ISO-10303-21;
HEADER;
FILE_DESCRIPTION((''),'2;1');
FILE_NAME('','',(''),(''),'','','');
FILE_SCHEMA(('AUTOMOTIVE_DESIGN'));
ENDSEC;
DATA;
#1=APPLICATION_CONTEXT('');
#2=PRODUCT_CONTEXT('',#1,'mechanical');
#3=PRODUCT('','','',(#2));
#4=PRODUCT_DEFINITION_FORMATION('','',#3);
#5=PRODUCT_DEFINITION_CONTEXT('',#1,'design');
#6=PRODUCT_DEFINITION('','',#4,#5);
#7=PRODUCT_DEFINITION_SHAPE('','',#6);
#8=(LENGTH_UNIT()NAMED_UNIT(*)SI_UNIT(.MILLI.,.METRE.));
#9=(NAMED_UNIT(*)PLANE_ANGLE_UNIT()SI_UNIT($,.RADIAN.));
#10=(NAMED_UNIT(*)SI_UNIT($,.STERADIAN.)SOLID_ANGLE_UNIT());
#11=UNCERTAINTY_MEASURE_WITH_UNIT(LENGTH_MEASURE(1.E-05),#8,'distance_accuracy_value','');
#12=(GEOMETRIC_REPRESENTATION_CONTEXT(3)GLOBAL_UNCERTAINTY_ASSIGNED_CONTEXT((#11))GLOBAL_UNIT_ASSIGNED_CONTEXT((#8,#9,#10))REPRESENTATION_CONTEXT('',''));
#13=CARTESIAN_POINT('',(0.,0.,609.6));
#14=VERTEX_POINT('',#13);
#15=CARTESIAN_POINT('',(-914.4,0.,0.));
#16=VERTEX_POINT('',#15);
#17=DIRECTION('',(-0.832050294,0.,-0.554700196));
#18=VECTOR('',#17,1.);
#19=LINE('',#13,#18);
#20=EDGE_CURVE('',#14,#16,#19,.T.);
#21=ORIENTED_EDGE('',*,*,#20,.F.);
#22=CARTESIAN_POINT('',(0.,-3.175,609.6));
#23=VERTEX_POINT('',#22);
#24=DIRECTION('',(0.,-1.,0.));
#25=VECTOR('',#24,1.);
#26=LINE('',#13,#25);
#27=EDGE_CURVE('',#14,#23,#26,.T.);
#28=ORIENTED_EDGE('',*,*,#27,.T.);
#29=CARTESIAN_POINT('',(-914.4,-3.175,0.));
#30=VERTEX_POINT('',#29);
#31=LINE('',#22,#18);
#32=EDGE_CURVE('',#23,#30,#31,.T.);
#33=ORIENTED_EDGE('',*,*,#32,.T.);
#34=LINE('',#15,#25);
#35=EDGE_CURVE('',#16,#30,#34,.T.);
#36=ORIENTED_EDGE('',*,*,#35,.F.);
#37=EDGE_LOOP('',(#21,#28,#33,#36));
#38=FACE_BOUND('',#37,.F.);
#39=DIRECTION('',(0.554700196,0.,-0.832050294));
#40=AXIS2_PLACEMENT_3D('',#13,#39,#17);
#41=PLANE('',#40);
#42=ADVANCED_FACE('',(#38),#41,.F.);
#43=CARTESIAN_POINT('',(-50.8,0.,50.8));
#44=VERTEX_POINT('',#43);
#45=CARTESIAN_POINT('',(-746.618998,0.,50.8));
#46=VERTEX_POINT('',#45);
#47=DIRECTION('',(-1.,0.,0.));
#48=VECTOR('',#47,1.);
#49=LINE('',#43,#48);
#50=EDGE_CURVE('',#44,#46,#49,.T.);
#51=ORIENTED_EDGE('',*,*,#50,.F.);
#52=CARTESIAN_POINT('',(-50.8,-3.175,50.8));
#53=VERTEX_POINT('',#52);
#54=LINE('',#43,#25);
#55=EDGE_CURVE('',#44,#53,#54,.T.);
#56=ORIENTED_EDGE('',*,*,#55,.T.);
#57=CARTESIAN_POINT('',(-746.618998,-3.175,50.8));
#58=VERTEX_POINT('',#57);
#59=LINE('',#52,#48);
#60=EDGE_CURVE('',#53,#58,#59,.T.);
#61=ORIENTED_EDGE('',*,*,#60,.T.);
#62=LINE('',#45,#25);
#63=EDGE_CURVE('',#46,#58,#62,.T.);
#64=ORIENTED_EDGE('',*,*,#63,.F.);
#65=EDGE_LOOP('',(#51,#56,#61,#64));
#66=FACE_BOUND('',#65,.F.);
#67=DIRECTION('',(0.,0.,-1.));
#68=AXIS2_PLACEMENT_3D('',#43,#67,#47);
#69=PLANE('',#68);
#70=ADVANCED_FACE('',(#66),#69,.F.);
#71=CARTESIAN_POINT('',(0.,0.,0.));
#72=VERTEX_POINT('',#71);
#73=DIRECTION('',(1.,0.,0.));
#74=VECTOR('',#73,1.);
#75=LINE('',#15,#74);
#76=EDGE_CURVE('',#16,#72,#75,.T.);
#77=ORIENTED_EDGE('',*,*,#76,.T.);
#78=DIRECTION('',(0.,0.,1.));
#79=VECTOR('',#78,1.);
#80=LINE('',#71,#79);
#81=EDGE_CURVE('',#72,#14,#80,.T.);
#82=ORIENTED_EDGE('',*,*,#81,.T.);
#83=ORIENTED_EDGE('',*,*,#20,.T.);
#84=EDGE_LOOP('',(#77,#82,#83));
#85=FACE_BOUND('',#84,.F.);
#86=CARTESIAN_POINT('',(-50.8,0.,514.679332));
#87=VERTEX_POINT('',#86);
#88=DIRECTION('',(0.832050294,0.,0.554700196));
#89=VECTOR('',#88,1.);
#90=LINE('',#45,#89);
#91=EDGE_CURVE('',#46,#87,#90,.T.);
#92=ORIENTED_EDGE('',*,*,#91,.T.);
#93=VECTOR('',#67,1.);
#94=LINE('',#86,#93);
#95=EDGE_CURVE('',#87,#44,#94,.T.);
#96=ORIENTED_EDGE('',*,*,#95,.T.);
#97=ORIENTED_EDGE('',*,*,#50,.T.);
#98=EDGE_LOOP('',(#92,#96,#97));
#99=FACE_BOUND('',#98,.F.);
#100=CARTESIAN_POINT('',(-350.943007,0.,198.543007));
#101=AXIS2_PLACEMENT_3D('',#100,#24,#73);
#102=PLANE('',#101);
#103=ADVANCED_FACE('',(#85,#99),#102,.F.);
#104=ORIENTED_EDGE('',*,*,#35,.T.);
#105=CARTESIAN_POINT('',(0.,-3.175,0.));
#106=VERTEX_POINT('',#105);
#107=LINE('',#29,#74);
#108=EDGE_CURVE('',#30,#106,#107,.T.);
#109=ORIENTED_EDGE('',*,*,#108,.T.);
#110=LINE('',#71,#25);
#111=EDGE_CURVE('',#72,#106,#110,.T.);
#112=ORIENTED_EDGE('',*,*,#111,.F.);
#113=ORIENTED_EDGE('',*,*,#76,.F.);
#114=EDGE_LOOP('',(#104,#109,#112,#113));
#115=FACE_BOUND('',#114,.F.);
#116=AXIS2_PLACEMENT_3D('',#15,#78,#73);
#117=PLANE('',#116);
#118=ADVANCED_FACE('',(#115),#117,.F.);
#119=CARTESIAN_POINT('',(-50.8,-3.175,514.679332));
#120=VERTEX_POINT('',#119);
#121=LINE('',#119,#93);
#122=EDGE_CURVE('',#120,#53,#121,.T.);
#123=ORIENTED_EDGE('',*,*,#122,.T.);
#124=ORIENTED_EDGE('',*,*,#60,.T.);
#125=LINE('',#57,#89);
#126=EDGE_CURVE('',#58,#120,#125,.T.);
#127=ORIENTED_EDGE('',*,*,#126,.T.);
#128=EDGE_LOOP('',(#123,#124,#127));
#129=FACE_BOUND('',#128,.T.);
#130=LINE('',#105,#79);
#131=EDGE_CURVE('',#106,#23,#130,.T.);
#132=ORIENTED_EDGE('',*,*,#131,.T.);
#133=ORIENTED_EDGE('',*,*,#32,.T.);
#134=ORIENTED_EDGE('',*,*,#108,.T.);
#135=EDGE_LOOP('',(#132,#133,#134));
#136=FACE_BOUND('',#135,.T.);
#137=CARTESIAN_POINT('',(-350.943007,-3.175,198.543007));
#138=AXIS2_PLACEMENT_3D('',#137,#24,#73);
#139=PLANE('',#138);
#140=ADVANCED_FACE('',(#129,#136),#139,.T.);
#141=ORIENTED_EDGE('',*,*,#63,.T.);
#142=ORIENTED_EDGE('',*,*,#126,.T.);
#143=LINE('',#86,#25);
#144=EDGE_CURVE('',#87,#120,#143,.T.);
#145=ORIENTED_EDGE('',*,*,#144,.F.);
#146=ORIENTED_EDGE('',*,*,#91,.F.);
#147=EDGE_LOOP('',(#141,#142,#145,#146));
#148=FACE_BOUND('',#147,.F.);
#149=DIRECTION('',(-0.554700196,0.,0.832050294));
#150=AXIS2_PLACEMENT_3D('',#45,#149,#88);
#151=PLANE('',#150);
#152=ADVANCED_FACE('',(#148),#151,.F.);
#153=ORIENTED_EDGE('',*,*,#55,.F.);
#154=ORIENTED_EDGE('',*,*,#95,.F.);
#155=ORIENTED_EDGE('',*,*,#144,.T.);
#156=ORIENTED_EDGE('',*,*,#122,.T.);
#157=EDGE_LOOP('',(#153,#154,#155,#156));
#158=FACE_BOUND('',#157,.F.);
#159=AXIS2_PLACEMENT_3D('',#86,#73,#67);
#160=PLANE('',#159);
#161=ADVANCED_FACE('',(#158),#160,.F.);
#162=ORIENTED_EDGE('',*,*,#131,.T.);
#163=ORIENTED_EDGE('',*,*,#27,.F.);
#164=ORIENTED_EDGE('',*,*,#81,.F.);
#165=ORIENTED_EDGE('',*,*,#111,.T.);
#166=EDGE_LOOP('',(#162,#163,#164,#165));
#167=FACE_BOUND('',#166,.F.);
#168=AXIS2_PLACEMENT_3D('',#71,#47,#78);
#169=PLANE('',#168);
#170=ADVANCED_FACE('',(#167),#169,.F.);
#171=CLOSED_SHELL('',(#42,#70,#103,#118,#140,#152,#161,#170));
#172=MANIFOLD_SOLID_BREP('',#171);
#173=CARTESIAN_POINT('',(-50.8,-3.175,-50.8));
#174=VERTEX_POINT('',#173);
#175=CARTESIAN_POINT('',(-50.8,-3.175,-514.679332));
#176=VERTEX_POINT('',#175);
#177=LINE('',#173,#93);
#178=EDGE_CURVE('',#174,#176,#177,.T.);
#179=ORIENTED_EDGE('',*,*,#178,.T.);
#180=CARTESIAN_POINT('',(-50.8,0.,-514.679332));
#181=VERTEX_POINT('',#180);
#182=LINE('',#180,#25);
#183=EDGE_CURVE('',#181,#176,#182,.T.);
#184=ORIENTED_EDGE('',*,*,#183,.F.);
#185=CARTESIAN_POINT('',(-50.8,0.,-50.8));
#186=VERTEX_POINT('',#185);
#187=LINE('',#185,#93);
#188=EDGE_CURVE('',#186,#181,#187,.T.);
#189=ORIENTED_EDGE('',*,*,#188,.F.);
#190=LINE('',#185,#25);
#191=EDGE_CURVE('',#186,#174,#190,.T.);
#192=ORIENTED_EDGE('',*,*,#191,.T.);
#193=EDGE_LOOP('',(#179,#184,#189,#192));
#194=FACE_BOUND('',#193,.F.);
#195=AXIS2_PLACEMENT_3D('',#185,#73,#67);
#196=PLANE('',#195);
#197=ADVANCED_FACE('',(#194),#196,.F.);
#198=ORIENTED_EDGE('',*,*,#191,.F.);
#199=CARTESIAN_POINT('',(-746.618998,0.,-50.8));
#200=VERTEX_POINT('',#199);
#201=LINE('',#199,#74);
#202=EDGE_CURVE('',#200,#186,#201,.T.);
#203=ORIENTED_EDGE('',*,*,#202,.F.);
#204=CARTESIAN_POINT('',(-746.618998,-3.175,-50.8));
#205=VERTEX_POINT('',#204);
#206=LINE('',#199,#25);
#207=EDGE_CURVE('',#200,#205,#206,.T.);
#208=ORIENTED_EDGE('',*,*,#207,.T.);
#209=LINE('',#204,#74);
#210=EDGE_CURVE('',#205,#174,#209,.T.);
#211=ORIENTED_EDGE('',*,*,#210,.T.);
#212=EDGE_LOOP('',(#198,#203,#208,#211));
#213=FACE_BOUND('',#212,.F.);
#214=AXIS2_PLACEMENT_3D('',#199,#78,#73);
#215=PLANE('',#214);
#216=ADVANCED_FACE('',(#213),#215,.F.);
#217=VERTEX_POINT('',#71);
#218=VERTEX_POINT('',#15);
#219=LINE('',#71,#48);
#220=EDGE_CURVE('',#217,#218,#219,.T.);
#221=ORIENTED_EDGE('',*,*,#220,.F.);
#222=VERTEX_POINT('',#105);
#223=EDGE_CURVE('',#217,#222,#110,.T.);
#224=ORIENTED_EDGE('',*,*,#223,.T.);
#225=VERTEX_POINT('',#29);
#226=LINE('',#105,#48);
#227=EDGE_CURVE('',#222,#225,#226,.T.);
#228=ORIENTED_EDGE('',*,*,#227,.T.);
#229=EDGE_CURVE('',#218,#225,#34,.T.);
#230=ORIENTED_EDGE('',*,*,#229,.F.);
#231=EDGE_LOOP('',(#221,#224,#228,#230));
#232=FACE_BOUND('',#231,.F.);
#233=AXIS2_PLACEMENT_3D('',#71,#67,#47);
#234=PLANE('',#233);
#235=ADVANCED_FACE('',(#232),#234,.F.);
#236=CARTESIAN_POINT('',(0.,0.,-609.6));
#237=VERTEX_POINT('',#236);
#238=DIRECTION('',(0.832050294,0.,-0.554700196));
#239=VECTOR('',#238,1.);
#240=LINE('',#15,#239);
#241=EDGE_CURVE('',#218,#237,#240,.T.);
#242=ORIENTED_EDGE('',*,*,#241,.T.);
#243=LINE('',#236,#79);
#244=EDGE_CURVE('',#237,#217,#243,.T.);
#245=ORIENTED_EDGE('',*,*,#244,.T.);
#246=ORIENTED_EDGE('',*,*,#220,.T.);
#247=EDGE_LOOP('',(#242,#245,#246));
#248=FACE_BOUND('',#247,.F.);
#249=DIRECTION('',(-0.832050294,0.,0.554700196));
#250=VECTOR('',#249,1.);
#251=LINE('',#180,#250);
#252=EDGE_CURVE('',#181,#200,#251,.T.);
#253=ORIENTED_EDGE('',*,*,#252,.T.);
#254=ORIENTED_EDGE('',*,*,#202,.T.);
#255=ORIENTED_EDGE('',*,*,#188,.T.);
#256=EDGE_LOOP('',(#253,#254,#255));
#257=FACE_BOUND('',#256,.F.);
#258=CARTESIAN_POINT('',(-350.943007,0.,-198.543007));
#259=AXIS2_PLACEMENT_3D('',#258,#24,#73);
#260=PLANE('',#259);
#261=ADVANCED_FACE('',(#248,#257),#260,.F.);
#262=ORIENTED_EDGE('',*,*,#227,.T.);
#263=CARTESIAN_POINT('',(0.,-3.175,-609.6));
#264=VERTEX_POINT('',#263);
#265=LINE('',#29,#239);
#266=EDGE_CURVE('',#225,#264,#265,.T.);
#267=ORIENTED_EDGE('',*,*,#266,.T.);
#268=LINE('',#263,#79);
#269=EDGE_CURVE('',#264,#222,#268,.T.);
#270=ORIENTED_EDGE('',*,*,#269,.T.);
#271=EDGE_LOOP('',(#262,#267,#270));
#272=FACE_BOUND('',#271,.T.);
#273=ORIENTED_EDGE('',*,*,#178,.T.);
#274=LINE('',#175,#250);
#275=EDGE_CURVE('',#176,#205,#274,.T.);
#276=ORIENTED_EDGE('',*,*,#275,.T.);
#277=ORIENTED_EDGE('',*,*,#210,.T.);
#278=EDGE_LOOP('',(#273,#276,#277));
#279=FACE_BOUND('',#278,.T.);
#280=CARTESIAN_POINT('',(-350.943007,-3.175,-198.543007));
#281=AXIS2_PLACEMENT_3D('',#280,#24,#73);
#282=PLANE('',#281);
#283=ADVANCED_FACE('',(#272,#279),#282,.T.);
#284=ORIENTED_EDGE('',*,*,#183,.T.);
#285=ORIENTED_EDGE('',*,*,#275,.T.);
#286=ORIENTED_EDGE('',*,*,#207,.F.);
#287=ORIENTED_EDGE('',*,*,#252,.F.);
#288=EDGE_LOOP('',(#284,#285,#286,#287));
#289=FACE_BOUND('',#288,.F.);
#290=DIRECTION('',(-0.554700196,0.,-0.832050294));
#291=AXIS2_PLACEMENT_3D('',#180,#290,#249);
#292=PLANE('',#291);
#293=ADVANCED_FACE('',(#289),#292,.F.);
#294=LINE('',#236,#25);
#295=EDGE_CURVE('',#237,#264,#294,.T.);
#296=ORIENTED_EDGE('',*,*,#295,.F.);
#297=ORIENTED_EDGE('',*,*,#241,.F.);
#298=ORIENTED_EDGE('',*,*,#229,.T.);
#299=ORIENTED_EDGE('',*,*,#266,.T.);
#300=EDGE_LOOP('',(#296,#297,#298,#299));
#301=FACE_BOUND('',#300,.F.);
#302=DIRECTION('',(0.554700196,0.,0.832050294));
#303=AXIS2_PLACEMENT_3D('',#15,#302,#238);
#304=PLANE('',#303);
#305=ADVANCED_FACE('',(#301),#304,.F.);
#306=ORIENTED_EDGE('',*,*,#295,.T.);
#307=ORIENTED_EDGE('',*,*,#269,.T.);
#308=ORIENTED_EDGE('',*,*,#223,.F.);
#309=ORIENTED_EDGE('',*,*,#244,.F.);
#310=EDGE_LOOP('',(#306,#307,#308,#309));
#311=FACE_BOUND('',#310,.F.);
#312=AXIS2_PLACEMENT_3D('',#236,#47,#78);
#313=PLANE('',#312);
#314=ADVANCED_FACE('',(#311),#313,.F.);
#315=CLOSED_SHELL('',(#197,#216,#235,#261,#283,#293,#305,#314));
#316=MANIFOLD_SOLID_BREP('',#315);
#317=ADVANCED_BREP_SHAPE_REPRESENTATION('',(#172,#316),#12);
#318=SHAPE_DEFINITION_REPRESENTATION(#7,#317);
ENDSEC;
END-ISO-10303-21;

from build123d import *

# Parameters (mm, degrees)
F1_DEPTH = 3.175
F2_DEPTH = 3.175


with BuildPart() as f1:
    # F0 (on Front) → F1 (new body)
    with BuildSketch(Plane.XZ):
        Polygon((-914.4, 0), (0, 0), (0, 609.6), align=None)
        Polygon((-746.618998, 50.8), (-50.8, 514.679332), (-50.8, 50.8), align=None, mode=Mode.SUBTRACT)
    extrude(amount=F1_DEPTH)


with BuildPart() as f2:
    # F0 (on Front) → F2 (new body)
    with BuildSketch(Plane.XZ):
        Polygon((0, -609.6), (0, 0), (-914.4, 0), align=None)
        Polygon((-746.618998, -50.8), (-50.8, -50.8), (-50.8, -514.679332), align=None, mode=Mode.SUBTRACT)
    extrude(amount=F2_DEPTH)


solid = Compound([f1.part, f2.part])
